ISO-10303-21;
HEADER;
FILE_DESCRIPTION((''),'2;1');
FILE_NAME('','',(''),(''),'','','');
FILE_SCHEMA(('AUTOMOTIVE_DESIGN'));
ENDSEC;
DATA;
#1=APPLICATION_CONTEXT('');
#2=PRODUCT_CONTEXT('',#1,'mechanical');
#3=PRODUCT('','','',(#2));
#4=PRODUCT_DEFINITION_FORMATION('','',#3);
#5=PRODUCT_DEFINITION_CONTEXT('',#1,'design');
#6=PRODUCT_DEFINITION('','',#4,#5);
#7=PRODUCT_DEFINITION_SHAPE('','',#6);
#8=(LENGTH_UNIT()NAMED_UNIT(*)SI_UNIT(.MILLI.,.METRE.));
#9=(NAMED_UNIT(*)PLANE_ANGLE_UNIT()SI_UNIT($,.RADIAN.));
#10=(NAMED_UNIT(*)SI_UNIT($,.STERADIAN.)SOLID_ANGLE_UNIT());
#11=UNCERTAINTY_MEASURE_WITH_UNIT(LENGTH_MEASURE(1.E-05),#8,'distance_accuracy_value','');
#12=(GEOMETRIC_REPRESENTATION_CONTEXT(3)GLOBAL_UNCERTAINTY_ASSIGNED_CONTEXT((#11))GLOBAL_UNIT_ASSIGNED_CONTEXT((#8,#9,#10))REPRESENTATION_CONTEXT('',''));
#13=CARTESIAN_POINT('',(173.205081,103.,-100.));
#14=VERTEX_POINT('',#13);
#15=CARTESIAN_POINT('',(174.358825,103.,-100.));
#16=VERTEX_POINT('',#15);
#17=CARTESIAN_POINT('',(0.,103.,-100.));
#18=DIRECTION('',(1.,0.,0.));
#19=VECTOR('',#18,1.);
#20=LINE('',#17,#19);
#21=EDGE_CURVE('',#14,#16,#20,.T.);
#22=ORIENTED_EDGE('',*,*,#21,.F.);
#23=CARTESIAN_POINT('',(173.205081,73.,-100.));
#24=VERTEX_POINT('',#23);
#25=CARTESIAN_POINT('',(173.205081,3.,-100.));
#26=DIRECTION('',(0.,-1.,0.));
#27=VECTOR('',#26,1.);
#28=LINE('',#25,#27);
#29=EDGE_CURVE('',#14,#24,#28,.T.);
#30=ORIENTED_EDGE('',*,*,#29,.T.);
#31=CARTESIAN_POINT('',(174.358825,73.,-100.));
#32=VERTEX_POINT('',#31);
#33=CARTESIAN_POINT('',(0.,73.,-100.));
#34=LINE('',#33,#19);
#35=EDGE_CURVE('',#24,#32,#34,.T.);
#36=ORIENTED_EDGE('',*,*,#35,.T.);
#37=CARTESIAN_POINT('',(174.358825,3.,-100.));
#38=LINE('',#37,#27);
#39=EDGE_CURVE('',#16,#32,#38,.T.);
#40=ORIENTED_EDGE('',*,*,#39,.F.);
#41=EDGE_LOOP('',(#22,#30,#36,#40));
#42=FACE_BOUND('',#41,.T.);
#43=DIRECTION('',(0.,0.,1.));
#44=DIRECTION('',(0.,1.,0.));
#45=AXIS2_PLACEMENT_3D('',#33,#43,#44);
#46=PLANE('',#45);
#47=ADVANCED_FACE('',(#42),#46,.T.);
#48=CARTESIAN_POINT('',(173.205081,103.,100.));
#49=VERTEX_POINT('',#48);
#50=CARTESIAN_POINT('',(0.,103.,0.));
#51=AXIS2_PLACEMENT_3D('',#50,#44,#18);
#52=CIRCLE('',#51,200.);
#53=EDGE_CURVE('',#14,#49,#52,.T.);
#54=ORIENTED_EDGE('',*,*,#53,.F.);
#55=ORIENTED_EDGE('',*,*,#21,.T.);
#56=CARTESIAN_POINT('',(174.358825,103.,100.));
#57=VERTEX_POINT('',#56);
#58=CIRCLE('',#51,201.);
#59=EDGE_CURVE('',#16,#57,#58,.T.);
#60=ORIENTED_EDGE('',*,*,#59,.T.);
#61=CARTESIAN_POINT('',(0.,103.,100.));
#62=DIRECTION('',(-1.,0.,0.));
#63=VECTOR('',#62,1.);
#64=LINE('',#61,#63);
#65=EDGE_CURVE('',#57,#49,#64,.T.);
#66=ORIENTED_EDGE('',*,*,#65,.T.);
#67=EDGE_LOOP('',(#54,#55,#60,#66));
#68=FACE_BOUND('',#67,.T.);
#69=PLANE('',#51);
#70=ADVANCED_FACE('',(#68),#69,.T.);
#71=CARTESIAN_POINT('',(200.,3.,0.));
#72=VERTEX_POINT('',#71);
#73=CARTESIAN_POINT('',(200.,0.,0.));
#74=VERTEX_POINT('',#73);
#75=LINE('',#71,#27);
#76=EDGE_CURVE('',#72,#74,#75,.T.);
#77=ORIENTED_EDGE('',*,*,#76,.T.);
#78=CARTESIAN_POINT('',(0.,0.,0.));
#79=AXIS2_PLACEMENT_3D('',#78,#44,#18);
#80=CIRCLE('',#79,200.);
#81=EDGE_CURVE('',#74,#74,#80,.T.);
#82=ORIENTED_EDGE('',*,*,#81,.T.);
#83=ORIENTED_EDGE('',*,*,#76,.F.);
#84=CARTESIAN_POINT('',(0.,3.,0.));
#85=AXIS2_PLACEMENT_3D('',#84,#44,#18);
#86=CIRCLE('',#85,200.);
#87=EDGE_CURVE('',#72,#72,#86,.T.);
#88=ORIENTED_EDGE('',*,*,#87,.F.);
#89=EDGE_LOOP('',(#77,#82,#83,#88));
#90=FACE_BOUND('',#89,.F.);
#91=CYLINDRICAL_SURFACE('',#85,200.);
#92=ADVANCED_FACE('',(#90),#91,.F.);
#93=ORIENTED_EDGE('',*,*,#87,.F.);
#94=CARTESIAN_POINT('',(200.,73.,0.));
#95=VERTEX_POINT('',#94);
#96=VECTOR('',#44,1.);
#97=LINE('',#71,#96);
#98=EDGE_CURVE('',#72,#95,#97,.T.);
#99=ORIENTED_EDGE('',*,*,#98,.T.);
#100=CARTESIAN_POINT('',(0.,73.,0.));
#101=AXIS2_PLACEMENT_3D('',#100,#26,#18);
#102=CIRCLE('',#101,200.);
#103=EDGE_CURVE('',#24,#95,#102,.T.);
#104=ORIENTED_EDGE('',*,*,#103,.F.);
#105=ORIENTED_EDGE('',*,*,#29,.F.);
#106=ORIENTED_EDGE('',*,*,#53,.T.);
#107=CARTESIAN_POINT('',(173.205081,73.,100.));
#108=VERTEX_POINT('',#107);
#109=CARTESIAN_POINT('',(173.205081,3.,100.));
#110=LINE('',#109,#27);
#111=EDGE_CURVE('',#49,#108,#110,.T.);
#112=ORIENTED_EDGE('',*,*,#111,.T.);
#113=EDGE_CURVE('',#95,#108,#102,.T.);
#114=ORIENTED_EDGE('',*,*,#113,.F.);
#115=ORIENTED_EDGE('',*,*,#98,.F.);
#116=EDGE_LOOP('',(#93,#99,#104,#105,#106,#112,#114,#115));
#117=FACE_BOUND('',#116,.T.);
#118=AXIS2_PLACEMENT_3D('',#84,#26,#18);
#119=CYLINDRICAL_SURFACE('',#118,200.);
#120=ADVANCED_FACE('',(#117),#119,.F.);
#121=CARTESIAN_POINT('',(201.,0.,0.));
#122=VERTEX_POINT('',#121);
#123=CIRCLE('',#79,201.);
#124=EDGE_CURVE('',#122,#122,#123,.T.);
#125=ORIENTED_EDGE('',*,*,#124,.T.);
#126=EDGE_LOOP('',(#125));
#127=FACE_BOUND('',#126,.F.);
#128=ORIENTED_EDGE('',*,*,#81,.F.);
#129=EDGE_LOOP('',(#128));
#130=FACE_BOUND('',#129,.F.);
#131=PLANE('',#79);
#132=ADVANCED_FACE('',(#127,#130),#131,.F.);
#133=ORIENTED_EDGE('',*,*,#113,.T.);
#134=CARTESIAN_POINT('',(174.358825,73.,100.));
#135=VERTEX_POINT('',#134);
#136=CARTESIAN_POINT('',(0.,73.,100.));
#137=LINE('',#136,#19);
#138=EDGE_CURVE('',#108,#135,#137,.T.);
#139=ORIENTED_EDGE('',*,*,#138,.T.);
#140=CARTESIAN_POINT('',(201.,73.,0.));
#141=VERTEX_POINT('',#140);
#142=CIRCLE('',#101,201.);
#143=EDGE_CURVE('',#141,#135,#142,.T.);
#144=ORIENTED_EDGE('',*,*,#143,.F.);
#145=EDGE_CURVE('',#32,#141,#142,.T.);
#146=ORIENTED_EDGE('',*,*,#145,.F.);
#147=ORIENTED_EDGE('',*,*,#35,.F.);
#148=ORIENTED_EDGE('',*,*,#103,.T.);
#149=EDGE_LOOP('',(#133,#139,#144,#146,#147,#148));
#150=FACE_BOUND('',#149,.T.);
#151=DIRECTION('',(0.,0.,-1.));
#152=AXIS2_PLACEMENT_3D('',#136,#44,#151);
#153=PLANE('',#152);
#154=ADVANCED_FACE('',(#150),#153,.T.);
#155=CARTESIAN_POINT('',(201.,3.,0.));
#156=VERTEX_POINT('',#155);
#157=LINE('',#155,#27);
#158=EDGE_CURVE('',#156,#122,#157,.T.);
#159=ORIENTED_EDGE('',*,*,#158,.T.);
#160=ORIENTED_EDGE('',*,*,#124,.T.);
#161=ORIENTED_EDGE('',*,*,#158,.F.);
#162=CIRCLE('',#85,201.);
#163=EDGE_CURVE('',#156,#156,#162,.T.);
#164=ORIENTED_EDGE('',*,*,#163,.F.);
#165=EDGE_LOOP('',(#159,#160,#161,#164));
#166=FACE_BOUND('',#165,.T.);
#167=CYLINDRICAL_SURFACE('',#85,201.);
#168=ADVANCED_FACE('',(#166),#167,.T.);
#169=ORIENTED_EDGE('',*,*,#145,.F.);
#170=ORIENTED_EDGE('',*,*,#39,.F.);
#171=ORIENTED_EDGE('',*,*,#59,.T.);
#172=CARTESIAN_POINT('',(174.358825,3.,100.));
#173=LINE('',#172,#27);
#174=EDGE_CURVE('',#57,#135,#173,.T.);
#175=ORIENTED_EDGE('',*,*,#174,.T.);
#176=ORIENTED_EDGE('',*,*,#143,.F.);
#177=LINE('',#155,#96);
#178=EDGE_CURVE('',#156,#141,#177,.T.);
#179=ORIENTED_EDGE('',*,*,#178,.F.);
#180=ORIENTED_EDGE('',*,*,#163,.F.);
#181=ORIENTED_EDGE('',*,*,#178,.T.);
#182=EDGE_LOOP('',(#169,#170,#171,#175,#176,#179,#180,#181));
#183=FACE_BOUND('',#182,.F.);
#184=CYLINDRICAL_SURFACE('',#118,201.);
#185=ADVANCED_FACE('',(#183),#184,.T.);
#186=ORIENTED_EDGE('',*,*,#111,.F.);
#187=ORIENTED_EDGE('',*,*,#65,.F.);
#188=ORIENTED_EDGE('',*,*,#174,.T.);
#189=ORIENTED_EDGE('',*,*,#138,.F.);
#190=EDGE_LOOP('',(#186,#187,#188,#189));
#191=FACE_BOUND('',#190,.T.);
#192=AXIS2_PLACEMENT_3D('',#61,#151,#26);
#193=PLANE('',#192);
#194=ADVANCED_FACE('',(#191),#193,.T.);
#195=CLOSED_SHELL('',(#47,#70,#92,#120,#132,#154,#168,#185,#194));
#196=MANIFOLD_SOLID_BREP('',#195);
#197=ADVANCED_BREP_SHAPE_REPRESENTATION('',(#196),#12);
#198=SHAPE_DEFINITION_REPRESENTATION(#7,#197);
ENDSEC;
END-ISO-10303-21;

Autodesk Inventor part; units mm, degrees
ref_plane "YZ Plane" through (0, 0, 0) normal (1, 0, 0) x (0, 1, 0)
ref_plane "XZ Plane" through (0, 0, 0) normal (0, 1, 0) x (-1, 0, 0)
ref_plane "XY Plane" through (0, 0, 0) normal (0, 0, 1) x (1, 0, 0)
sketch "Sketch1" plane through (0, 0, 0) normal (0, 1, 0) x (-1, 0, 0)
  circle A0 centre (0, 0) radius 200
  dimension "d0" = 400
ref_plane "Work Plane1" through (0, 3, 0) normal (0, 1, 0) x (1, 0, 0)
sketch "Sketch2" plane through (0, 3, 0) normal (0, 1, 0) x (1, 0, 0)
  line L0 (-63.5, -143.5) -> (63.5, -143.5)
  line L1 (63.5, -143.5) -> (63.5, 143.5)
  line L2 (63.5, 143.5) -> (-63.5, 143.5)
  line L3 (-63.5, 143.5) -> (-63.5, -143.5)
  line L4 (-63.5, -143.5) -> (63.5, 143.5) construction
  line L5 (63.5, -143.5) -> (-63.5, 143.5) construction
  point P0 (0, 0)
  dimension "d3" = 127
  dimension "d4" = 287
extrude "Extrusion2" [suppressed]
ref_plane "Work Plane4" through (0, 3, 0) normal (0, 1, 0) x (1, 0, 0)
sketch "Sketch3" plane through (0, 3, 0) normal (0, 1, 0) x (1, 0, 0)
  line L0 (-63.5, 143.5) -> (-63.5, -143.5) projected
  line L1 (-63.5, 0) -> (-123.5, 0)
  line L2 (-123.5, 0) -> (-93.5, 0)
  line L3 (-93.5, 0) -> (-119.5, 0)
  circle A0 centre (-119.5, 0) radius 2.5
  circle A1 centre (-117.932, -8.8925) radius 2.5
  circle A2 centre (-113.4172, -16.7125) radius 2.5
  circle A3 centre (-106.5, -22.5167) radius 2.5
  circle A4 centre (-98.0149, -25.605) radius 2.5
  circle A5 centre (-88.9851, -25.605) radius 2.5
  circle A6 centre (-80.5, -22.5167) radius 2.5
  circle A7 centre (-73.5828, -16.7125) radius 2.5
  circle A8 centre (-69.068, -8.8925) radius 2.5
  circle A9 centre (-67.5, 0) radius 2.5
  circle A10 centre (-69.068, 8.8925) radius 2.5
  circle A11 centre (-73.5828, 16.7125) radius 2.5
  circle A12 centre (-80.5, 22.5167) radius 2.5
  circle A13 centre (-88.9851, 25.605) radius 2.5
  circle A14 centre (-98.0149, 25.605) radius 2.5
  circle A15 centre (-106.5, 22.5167) radius 2.5
  circle A16 centre (-113.4172, 16.7125) radius 2.5
  circle A17 centre (-117.932, 8.8925) radius 2.5
  line L4 (-93.5, 0) -> (-110.5, 0)
  line L5 (-110.5, 0) -> (-92.5712, 0)
  line L6 (-93.5, 0) -> (-103.5, 0)
  circle A18 centre (-110.5, 0) radius 2
  circle A19 centre (-103.5, 0) radius 1.5
  circle A20 centre (-109.4748, -5.8143) radius 2
  circle A21 centre (-106.5228, -10.9274) radius 2
  circle A22 centre (-102, -14.7224) radius 2
  circle A23 centre (-96.452, -16.7417) radius 2
  circle A24 centre (-90.548, -16.7417) radius 2
  circle A25 centre (-85, -14.7224) radius 2
  circle A26 centre (-80.4772, -10.9274) radius 2
  circle A27 centre (-77.5252, -5.8143) radius 2
  circle A28 centre (-76.5, 0) radius 2
  circle A29 centre (-77.5252, 5.8143) radius 2
  circle A30 centre (-80.4772, 10.9274) radius 2
  circle A31 centre (-85, 14.7224) radius 2
  circle A32 centre (-90.548, 16.7417) radius 2
  circle A33 centre (-96.452, 16.7417) radius 2
  circle A34 centre (-102, 14.7224) radius 2
  circle A35 centre (-106.5228, 10.9274) radius 2
  circle A36 centre (-109.4748, 5.8143) radius 2
  circle A37 centre (-101.5902, -5.8779) radius 1.5
  circle A38 centre (-96.5902, -9.5106) radius 1.5
  circle A39 centre (-90.4098, -9.5106) radius 1.5
  circle A40 centre (-85.4098, -5.8779) radius 1.5
  circle A41 centre (-83.5, 0) radius 1.5
  circle A42 centre (-85.4098, 5.8779) radius 1.5
  circle A43 centre (-90.4098, 9.5106) radius 1.5
  circle A44 centre (-96.5902, 9.5106) radius 1.5
  circle A45 centre (-101.5902, 5.8779) radius 1.5
  point P0 (0, 0)
  dimension "d7" = 60
  dimension "d8" = 30
  dimension "d9" = 26
  dimension "d10" = 5
  dimension "d13" = 360
  dimension "d15" = 17
  dimension "d16" = 10
  dimension "d18" = 4
  dimension "d19" = 3
  dimension "d22" = 360
  dimension "d26" = 360
extrude "Extrusion3" [suppressed]
ref_plane "Work Plane2" through (0, 3, 0) normal (0, 1, 0) x (1, 0, 0)
sketch "Sketch4" plane through (0, 3, 0) normal (0, 1, 0) x (1, 0, 0)
  line L0 (0, 0) -> (0, -170)
  line L1 (0, -170) -> (0, 170)
  line L2 (0, -170) -> (-40, -170)
  line L3 (-40, -170) -> (-65, -170)
  line L4 (-65, -170) -> (0, -170)
  line L5 (0, -170) -> (65, -170)
  line L6 (0, 170) -> (-65, 170)
  line L7 (-65, 170) -> (0, 170)
  line L8 (0, 170) -> (65, 170)
  circle A0 centre (65, 170) radius 1.5
  circle A1 centre (-65, 170) radius 1.5
  circle A2 centre (-65, -170) radius 1.5
  circle A3 centre (65, -170) radius 1.5
  dimension "d30" = 170
  dimension "d31" = 340
  dimension "d32" = 40
  dimension "d33" = 25
  dimension "d34" = 65
  dimension "d35" = 65
  dimension "d36" = 65
  dimension "d37" = 65
  dimension "d38" = 65
  dimension "d39" = 3
  dimension "d40" = 3
  dimension "d41" = 3
  dimension "d42" = 3
extrude "Extrusion4" [suppressed]
ref_plane "Work Plane3" through (0, 3, 0) normal (0, 1, 0) x (1, 0, 0)
sketch "Sketch5" plane through (0, 3, 0) normal (0, 1, 0) x (1, 0, 0)
  circle A0 centre (0, 0) radius 201
  circle A1 centre (0, 0) radius 200
  dimension "d45" = 402
  dimension "d46" = 400
extrude "Extrusion5" add sketch "Sketch5" along normal blind 100 and the other way blind 3
sketch "Sketch6" plane through (0, 0, 0) normal (1, 0, 0) x (0, 1, 0)
  line L0 (0, -200) -> (0, 200) projected
  line L1 (0, -200) -> (0, 200)
  line L2 (0, 200) -> (103, 201)
  line L3 (0, 201) -> (103, 201) projected
  line L4 (103, -201) -> (103, 201) projected
  line L5 (103, -201) -> (103, 201)
  line L6 (103, 201) -> (103, 0)
  line L7 (73, -100) -> (133, -100)
  line L8 (133, -100) -> (133, 100)
  line L9 (133, 100) -> (73, 100)
  line L10 (73, 100) -> (73, -100)
  line L11 (73, -100) -> (133, 100) construction
  line L12 (133, -100) -> (73, 100) construction
  point P0 (0, 0)
  dimension "d51" = 60
  dimension "d52" = 200
extrude "Extrusion6" cut sketch "Sketch6" along normal blind 300
properties part number "border" material "PC/ABS Plastic"
